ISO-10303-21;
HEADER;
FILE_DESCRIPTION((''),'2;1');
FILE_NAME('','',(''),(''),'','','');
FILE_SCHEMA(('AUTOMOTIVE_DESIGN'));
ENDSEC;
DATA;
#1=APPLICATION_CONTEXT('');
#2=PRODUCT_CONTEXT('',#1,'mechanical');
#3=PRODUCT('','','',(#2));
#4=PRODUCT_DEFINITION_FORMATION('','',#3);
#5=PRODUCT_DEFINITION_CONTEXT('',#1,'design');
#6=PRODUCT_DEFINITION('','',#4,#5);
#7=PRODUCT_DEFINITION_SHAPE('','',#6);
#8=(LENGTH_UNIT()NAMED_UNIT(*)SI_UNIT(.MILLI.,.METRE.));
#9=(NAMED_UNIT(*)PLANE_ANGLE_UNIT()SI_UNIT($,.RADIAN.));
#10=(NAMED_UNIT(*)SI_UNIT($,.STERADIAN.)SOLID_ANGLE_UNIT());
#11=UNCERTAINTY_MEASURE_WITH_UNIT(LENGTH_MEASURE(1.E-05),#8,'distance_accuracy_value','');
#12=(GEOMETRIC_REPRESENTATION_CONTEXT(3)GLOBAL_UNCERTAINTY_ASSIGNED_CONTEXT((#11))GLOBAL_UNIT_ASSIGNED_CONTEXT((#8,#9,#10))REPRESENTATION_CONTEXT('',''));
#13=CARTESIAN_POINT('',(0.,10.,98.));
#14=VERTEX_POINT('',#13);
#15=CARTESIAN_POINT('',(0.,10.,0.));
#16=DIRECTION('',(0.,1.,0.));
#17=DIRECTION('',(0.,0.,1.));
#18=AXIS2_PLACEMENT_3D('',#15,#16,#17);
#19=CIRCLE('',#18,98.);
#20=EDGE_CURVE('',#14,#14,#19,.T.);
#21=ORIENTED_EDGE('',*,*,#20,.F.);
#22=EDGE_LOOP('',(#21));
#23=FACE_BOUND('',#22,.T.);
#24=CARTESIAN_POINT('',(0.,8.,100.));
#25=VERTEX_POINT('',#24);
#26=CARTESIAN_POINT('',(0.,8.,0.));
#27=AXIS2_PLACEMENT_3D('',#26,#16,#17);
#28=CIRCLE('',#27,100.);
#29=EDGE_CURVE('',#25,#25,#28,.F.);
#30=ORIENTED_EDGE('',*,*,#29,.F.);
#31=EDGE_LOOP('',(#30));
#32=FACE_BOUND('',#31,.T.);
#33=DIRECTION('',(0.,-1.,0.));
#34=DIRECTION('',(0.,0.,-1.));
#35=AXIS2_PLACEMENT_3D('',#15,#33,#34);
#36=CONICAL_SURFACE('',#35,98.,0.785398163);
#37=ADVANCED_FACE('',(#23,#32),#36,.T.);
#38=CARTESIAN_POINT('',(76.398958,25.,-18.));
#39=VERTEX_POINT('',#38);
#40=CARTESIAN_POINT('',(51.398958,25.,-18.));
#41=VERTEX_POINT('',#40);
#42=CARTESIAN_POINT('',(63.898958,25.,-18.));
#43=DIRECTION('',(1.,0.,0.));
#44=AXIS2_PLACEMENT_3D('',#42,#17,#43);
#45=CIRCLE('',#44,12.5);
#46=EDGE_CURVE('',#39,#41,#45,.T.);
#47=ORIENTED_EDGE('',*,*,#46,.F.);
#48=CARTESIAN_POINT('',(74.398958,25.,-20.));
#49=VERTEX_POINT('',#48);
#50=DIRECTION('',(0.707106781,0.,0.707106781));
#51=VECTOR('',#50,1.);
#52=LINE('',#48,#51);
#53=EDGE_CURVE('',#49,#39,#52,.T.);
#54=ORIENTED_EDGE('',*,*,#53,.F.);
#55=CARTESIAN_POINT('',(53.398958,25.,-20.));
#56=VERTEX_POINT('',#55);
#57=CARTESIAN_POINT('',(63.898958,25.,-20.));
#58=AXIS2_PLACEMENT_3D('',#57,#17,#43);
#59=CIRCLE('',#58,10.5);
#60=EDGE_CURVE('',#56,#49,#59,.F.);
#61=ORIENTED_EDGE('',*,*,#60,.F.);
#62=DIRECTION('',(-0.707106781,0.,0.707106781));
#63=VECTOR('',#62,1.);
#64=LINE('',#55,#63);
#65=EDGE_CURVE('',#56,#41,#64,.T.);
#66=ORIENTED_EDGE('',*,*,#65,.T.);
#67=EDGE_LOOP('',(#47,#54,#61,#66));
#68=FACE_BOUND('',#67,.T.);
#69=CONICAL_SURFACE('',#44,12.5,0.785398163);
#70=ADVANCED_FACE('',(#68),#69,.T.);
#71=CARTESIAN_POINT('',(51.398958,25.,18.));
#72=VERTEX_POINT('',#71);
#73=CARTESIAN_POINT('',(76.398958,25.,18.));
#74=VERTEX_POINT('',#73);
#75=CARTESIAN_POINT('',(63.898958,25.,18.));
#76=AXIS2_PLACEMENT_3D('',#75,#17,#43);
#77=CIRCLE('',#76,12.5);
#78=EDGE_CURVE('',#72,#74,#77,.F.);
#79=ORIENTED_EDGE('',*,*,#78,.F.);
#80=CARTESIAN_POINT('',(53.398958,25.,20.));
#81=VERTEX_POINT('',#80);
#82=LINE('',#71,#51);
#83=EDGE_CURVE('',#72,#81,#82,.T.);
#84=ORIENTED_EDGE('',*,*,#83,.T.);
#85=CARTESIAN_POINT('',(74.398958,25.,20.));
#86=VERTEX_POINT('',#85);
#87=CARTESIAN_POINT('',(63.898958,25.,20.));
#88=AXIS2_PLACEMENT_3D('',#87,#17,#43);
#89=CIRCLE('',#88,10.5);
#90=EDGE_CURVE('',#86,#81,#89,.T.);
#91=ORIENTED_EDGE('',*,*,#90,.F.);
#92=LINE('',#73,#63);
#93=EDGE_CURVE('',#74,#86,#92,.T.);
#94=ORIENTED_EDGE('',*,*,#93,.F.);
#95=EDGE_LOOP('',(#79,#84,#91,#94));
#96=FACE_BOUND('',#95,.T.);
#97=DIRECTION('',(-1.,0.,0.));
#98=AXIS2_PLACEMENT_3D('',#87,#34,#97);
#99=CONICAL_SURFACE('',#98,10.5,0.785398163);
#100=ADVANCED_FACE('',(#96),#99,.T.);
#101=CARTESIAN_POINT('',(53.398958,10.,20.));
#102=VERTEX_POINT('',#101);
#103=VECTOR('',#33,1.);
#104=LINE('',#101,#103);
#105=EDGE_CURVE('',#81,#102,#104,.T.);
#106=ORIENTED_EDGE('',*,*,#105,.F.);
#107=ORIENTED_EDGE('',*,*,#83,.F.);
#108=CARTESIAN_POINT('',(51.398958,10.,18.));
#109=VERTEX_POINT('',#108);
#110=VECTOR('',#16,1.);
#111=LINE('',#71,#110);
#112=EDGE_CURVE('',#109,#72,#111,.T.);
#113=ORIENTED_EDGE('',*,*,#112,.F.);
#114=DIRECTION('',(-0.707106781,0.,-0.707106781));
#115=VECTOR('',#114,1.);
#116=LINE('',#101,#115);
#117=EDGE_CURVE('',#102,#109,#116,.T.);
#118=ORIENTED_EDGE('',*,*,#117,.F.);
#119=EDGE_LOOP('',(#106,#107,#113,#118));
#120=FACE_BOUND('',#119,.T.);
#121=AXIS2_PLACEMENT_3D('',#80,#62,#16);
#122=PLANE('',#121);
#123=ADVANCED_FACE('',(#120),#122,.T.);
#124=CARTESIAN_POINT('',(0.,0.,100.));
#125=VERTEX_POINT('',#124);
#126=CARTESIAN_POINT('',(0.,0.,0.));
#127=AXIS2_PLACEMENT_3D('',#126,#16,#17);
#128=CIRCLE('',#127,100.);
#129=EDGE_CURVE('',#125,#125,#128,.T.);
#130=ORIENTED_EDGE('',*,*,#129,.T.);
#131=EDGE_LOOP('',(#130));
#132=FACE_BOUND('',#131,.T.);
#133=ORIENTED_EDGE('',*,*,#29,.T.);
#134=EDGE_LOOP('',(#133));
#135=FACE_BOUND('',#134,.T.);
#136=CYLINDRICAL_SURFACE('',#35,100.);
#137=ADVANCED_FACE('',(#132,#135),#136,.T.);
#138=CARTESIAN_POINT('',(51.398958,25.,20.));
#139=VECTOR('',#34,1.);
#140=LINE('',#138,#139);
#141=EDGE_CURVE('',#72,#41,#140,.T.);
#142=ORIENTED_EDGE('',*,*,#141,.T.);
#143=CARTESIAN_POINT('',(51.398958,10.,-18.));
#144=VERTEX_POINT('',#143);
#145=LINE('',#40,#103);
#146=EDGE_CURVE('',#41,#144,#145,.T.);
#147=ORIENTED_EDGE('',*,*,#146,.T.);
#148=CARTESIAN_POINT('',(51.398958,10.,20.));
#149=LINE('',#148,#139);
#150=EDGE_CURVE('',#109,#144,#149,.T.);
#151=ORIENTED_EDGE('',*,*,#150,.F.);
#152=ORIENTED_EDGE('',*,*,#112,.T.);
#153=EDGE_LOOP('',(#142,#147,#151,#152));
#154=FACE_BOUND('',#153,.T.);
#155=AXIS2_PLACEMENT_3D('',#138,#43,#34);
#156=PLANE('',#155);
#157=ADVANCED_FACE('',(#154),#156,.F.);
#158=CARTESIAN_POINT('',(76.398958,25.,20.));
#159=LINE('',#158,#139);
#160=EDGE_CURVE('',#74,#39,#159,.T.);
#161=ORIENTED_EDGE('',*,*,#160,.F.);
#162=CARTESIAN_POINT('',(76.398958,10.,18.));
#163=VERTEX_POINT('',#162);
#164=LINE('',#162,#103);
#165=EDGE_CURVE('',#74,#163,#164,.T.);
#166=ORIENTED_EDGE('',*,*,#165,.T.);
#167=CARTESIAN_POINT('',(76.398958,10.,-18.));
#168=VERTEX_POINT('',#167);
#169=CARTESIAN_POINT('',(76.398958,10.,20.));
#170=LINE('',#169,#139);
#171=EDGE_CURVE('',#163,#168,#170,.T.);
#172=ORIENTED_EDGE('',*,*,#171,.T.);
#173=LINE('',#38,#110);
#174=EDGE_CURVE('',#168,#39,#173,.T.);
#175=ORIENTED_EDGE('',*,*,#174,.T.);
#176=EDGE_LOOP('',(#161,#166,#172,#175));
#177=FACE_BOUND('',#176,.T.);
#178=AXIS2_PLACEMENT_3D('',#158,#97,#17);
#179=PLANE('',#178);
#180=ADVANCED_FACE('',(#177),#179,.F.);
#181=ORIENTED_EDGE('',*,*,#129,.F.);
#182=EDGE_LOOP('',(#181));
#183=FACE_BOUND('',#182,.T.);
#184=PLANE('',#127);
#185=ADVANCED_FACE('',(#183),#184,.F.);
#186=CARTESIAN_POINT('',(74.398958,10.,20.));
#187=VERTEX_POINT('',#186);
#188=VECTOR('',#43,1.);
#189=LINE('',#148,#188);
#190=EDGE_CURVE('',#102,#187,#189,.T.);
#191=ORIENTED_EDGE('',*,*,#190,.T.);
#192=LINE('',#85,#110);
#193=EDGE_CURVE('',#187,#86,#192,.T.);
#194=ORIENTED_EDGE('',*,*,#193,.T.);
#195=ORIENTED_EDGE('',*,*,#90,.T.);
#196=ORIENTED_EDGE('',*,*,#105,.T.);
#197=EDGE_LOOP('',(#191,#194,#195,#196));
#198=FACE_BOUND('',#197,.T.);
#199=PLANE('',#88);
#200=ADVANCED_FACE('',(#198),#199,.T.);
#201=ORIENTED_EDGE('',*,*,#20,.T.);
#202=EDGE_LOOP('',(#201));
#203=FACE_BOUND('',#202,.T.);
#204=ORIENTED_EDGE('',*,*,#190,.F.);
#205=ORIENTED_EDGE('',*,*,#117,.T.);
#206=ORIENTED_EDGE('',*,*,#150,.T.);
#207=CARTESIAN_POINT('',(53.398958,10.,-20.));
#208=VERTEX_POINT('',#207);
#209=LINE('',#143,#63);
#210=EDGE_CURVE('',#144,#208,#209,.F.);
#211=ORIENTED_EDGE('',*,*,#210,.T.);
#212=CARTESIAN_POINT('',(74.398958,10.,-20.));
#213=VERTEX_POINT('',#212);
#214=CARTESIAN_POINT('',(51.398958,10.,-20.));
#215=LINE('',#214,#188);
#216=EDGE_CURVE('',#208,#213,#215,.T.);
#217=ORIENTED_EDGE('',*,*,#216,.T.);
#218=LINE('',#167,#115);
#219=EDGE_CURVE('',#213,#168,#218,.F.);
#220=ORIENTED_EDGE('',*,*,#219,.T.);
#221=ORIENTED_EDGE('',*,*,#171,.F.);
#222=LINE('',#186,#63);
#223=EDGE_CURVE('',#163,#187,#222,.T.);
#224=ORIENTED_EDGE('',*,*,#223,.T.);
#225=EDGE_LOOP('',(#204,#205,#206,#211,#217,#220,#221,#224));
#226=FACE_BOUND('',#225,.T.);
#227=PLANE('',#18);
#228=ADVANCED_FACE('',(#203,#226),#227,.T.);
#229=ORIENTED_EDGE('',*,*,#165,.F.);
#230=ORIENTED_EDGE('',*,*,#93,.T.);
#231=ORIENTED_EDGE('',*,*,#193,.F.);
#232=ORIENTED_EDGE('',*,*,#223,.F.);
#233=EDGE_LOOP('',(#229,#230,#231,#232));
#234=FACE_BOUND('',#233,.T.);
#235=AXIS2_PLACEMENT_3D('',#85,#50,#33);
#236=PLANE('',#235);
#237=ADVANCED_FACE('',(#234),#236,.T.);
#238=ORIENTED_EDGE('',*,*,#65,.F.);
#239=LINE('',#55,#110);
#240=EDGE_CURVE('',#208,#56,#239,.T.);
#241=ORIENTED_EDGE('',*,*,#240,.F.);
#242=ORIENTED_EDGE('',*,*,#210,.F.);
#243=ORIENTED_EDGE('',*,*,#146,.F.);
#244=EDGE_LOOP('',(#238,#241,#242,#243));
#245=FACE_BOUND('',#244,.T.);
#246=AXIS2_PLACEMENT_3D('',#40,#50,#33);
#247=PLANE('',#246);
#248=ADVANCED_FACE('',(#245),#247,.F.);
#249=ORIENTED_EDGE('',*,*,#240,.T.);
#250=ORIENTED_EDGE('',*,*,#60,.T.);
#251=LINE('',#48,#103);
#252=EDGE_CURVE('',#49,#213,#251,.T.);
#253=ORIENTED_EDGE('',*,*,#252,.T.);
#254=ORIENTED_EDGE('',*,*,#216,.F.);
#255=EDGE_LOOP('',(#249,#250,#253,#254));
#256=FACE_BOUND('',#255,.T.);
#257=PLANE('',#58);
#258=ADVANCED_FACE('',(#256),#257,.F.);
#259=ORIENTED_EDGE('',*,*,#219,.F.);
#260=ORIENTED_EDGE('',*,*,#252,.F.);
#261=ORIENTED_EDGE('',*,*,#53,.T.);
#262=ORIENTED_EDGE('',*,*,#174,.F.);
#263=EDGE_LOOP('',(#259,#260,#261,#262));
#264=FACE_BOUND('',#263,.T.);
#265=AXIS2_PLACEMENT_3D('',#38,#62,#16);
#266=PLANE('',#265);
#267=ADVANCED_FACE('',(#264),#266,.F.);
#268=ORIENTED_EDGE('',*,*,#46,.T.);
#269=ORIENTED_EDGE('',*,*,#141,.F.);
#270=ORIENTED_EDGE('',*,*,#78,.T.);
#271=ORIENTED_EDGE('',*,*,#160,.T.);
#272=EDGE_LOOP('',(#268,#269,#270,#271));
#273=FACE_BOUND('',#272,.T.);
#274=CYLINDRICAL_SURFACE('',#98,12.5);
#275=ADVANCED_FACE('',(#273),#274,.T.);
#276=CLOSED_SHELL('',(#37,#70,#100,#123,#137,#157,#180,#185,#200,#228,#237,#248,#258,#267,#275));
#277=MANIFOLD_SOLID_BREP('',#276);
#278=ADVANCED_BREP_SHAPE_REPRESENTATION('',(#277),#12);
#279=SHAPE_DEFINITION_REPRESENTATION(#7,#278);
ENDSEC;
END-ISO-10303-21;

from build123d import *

# Parameters (mm, degrees)
SKETCH_1_R      = 100
EXTRUDE_1_DEPTH = 10
EXTRUDE_2_DEPTH = 20
CHAMFER_1_SIZE  = 2
CHAMFER_2_SIZE  = 2


with BuildPart() as part:
    # 草图1 → 凸台-拉伸1 (new body)
    with BuildSketch(Plane(origin=(0, 0, 0), x_dir=(1, 0, 0), z_dir=(0, 1, 0))):
        with Locations(Location((0, 0, 0), (0, 0, 270))):
            Circle(SKETCH_1_R)
    extrude(amount=EXTRUDE_1_DEPTH)

    # 草图2 → 凸台-拉伸2 (add, symmetric)
    with BuildSketch(Plane.XY):
        with BuildLine():
            Line((51.398957954, 25), (51.398957954, 10))
            Line((51.398957954, 10), (76.398957954, 10))
            Line((76.398957954, 10), (76.398957954, 25))
            ThreePointArc((76.398957954, 25), (63.898957954, 37.5), (51.398957954, 25))
        make_face()
    extrude(amount=EXTRUDE_2_DEPTH, both=True)

    # 倒角1
    chamfer_1_edges = [part.edges().sort_by_distance(p)[0] for p in [
        (51.398957954, 17.5, 20),
        (76.398957954, 17.5, 20),
        (63.898957954, 37.5, -20),
        (51.398957954, 17.5, -20),
        (76.398957954, 17.5, -20),
        (63.898957954, 37.5, 20),
    ]]
    chamfer(chamfer_1_edges, length=CHAMFER_1_SIZE)

    # 倒角2
    chamfer_2_edges = [part.edges().sort_by_distance(p)[0] for p in [
        (0, 10, -100),
    ]]
    chamfer(chamfer_2_edges, length=CHAMFER_2_SIZE)


solid = part.part
